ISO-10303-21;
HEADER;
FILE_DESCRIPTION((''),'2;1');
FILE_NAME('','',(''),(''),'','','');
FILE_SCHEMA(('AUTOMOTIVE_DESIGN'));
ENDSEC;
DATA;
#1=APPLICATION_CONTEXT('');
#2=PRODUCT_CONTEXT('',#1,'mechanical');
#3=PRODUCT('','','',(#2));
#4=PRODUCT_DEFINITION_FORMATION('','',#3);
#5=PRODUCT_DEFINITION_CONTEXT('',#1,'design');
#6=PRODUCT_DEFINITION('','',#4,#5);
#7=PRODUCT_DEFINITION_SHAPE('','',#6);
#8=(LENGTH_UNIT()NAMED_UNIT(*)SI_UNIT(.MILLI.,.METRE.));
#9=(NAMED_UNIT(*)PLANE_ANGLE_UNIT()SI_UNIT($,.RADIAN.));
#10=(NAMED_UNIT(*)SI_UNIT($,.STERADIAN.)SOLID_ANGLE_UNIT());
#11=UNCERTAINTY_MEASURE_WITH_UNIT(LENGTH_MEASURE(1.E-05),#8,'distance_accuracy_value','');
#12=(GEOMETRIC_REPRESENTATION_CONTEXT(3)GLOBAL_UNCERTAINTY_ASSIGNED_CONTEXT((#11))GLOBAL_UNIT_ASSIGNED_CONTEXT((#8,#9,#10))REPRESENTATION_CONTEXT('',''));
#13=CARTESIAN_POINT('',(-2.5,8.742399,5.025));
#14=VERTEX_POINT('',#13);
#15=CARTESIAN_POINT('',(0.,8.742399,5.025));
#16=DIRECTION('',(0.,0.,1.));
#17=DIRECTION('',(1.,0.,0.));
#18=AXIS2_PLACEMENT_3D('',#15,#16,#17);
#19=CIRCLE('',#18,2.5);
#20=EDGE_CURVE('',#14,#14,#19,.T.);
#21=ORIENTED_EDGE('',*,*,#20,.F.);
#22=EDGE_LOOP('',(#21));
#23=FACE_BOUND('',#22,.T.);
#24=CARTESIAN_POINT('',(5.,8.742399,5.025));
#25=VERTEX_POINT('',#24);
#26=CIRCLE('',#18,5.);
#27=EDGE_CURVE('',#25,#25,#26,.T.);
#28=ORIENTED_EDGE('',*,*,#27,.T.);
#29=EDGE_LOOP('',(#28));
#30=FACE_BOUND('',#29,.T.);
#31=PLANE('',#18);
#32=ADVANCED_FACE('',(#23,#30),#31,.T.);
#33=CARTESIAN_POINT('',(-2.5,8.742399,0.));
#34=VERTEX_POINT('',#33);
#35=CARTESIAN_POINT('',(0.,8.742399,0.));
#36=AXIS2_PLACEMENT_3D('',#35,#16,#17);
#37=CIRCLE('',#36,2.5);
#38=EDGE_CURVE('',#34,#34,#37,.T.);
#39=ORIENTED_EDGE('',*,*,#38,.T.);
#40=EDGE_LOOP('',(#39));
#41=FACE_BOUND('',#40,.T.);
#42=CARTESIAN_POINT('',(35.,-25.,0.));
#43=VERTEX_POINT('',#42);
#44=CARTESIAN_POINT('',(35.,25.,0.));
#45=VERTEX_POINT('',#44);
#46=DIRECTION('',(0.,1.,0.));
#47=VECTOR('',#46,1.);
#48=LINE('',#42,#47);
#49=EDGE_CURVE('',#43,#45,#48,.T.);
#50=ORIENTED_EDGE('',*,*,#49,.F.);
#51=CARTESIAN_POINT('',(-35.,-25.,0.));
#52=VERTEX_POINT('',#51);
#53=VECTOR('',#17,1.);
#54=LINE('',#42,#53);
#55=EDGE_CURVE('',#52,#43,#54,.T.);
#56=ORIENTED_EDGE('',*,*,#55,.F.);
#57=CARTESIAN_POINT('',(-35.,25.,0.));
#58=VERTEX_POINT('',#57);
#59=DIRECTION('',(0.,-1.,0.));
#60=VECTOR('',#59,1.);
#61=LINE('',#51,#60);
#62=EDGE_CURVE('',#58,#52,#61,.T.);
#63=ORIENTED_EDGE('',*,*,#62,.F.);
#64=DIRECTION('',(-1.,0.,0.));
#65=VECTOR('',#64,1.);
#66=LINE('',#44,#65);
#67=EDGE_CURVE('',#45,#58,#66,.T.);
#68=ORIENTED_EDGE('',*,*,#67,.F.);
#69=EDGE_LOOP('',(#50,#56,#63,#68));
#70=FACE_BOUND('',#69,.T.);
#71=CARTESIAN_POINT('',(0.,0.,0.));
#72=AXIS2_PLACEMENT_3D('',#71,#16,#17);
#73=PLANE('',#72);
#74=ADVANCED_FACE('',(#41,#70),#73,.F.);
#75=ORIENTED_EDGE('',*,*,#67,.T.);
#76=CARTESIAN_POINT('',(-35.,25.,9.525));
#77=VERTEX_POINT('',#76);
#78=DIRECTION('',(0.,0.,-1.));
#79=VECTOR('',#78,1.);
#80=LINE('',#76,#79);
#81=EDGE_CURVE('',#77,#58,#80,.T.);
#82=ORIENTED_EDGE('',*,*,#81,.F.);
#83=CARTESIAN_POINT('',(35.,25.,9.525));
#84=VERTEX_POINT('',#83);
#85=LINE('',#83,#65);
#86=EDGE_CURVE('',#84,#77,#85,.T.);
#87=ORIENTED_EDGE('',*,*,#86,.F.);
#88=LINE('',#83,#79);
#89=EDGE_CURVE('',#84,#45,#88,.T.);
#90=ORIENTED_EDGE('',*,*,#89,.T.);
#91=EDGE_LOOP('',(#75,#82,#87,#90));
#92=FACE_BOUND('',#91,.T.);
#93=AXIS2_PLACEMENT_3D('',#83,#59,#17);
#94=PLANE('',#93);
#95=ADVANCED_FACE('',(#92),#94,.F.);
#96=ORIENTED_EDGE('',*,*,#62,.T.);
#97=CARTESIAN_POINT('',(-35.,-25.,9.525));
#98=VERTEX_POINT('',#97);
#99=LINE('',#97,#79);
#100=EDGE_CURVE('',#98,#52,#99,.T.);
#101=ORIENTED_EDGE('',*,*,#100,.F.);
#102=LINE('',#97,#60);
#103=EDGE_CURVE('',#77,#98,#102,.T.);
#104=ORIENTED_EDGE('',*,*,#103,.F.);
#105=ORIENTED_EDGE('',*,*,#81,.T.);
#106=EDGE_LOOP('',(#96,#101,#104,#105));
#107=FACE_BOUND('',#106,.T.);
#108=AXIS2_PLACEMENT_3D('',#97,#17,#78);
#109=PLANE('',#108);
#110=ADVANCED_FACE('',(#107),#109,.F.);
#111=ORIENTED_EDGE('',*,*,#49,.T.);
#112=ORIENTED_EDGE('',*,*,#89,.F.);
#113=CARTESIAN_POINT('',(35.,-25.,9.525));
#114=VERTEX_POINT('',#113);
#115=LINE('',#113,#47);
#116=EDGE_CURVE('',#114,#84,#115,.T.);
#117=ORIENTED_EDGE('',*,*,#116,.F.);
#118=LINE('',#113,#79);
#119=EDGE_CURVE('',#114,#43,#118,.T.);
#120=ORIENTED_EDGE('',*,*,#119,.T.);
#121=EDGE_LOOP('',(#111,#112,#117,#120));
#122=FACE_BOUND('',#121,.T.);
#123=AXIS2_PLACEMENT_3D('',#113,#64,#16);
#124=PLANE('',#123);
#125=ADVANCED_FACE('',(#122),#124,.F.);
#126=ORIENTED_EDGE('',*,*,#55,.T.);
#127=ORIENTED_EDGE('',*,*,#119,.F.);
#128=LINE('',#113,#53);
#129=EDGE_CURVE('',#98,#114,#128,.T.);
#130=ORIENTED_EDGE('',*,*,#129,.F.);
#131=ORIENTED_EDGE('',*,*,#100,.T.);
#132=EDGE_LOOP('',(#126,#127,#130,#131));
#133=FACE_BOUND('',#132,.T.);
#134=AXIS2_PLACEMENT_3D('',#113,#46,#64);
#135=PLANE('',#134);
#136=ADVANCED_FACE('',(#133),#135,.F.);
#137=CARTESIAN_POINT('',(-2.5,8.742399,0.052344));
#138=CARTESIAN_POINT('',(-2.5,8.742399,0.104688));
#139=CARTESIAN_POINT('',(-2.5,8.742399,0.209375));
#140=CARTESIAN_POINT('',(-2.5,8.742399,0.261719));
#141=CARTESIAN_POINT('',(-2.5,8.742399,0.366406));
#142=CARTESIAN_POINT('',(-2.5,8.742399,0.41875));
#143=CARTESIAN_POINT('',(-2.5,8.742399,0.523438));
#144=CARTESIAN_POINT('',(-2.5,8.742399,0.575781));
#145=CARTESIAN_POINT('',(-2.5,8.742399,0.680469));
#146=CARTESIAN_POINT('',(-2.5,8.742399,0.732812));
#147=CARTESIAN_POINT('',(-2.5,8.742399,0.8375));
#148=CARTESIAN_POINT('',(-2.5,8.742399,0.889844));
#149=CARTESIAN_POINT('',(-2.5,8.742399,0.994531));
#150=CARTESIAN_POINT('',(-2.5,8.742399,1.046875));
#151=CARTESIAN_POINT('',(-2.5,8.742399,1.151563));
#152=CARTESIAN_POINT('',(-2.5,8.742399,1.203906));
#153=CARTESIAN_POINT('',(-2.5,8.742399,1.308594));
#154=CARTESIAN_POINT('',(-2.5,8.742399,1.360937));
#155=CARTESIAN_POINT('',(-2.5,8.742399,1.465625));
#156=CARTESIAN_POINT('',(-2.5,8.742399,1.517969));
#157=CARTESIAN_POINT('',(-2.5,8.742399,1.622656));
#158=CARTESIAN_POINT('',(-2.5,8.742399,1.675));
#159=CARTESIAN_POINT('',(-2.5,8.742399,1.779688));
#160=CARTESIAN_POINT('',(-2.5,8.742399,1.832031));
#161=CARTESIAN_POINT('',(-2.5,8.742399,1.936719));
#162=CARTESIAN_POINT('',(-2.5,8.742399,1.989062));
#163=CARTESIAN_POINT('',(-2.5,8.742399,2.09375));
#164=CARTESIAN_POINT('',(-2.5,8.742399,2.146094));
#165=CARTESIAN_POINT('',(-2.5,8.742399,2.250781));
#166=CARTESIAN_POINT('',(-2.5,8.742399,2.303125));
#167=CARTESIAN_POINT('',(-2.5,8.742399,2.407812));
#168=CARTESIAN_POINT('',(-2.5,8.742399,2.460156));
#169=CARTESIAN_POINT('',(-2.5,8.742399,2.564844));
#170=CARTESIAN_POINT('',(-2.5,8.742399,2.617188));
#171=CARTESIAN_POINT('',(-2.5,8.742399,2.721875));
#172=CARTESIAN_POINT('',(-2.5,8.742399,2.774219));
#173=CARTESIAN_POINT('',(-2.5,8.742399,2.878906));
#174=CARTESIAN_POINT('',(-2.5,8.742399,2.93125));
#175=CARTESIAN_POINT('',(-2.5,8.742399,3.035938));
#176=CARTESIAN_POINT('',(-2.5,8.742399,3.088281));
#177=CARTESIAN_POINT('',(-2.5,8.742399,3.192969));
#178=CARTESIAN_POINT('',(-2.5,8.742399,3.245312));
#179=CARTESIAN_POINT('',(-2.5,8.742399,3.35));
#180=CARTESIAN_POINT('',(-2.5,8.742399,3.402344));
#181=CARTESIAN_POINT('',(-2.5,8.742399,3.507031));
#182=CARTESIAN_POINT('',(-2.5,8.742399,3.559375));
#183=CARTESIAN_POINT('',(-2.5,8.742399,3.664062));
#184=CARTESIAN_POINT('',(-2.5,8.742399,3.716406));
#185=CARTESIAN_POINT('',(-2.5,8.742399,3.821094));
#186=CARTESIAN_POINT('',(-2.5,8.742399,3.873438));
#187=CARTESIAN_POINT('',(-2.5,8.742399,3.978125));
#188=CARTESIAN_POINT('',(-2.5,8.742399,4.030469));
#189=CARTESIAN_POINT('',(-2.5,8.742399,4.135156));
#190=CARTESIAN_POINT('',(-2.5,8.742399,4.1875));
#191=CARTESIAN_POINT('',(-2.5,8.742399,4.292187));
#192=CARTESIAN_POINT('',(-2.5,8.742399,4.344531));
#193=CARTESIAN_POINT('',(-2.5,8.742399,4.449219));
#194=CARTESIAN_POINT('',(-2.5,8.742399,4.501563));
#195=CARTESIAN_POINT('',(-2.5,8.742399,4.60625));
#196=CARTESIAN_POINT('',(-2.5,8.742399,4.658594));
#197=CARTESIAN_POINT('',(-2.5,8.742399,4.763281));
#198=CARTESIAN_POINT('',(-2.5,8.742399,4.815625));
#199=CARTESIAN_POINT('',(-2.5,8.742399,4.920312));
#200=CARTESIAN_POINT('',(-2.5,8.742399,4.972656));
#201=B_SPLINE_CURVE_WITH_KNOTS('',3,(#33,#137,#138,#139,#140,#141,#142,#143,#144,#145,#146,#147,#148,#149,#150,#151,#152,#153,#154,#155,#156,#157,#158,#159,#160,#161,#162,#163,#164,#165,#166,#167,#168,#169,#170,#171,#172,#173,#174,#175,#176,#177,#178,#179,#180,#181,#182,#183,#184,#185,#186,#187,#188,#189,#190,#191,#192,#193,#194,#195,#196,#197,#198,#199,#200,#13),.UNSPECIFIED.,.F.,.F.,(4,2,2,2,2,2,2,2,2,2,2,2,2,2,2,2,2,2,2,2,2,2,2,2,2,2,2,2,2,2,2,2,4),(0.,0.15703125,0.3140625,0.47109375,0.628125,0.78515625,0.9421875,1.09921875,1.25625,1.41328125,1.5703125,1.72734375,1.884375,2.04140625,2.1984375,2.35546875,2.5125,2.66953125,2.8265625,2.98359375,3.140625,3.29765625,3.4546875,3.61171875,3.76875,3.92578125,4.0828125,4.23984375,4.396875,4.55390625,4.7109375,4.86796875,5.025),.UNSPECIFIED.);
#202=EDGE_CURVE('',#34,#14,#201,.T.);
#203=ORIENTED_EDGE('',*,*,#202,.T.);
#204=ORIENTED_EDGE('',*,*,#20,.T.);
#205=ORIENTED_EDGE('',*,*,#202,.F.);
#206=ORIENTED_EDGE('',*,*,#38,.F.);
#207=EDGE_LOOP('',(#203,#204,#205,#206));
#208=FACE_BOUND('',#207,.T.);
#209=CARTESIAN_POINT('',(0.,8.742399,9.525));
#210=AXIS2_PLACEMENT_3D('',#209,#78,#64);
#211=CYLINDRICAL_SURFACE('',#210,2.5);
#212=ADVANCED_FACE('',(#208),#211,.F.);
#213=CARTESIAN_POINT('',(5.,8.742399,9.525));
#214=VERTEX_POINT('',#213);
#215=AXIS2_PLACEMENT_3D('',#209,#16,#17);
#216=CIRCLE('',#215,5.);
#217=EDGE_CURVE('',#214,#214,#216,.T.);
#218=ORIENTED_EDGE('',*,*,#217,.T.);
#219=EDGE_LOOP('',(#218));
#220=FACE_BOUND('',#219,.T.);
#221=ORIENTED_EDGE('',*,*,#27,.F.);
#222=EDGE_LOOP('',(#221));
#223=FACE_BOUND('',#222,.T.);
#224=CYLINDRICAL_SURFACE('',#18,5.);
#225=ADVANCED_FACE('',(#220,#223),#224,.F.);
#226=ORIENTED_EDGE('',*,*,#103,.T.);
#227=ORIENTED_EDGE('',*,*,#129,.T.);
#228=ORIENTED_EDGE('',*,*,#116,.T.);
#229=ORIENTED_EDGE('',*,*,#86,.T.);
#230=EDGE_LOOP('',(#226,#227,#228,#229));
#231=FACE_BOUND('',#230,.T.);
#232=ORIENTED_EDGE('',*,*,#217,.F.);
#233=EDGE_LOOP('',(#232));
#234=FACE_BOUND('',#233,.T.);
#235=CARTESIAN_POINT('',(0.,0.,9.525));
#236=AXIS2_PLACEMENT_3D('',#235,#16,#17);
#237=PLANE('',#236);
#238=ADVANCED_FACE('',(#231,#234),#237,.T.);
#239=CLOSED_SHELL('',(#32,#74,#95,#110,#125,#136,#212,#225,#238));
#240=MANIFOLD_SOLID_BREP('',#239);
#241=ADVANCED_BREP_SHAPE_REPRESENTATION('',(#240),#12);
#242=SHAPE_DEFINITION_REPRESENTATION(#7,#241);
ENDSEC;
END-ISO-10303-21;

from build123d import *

# Parameters (mm, degrees)
CROQUIS1_W              = 70
CROQUIS1_H              = 50
CROQUIS1_R              = 2.5
SALIENTE_EXTRUIR1_DEPTH = 9.525
CROQUIS2_R              = 5
CORTAR_EXTRUIR1_DEPTH   = 4.5


with BuildPart() as part:
    # Croquis1 → Saliente-Extruir1 (new body)
    with BuildSketch(Plane.XY):
        Rectangle(CROQUIS1_W, CROQUIS1_H)
        with Locations(Location((0, 8.742399315, 0), (0, 0, 180))):
            Circle(CROQUIS1_R, mode=Mode.SUBTRACT)
    extrude(amount=SALIENTE_EXTRUIR1_DEPTH)

    # Croquis2 → Cortar-Extruir1 (cut)
    with BuildSketch(Plane.XY.offset(9.525)):
        with Locations((0, 8.742399315)):
            Circle(CROQUIS2_R)
    extrude(amount=-CORTAR_EXTRUIR1_DEPTH, mode=Mode.SUBTRACT)


solid = part.part
